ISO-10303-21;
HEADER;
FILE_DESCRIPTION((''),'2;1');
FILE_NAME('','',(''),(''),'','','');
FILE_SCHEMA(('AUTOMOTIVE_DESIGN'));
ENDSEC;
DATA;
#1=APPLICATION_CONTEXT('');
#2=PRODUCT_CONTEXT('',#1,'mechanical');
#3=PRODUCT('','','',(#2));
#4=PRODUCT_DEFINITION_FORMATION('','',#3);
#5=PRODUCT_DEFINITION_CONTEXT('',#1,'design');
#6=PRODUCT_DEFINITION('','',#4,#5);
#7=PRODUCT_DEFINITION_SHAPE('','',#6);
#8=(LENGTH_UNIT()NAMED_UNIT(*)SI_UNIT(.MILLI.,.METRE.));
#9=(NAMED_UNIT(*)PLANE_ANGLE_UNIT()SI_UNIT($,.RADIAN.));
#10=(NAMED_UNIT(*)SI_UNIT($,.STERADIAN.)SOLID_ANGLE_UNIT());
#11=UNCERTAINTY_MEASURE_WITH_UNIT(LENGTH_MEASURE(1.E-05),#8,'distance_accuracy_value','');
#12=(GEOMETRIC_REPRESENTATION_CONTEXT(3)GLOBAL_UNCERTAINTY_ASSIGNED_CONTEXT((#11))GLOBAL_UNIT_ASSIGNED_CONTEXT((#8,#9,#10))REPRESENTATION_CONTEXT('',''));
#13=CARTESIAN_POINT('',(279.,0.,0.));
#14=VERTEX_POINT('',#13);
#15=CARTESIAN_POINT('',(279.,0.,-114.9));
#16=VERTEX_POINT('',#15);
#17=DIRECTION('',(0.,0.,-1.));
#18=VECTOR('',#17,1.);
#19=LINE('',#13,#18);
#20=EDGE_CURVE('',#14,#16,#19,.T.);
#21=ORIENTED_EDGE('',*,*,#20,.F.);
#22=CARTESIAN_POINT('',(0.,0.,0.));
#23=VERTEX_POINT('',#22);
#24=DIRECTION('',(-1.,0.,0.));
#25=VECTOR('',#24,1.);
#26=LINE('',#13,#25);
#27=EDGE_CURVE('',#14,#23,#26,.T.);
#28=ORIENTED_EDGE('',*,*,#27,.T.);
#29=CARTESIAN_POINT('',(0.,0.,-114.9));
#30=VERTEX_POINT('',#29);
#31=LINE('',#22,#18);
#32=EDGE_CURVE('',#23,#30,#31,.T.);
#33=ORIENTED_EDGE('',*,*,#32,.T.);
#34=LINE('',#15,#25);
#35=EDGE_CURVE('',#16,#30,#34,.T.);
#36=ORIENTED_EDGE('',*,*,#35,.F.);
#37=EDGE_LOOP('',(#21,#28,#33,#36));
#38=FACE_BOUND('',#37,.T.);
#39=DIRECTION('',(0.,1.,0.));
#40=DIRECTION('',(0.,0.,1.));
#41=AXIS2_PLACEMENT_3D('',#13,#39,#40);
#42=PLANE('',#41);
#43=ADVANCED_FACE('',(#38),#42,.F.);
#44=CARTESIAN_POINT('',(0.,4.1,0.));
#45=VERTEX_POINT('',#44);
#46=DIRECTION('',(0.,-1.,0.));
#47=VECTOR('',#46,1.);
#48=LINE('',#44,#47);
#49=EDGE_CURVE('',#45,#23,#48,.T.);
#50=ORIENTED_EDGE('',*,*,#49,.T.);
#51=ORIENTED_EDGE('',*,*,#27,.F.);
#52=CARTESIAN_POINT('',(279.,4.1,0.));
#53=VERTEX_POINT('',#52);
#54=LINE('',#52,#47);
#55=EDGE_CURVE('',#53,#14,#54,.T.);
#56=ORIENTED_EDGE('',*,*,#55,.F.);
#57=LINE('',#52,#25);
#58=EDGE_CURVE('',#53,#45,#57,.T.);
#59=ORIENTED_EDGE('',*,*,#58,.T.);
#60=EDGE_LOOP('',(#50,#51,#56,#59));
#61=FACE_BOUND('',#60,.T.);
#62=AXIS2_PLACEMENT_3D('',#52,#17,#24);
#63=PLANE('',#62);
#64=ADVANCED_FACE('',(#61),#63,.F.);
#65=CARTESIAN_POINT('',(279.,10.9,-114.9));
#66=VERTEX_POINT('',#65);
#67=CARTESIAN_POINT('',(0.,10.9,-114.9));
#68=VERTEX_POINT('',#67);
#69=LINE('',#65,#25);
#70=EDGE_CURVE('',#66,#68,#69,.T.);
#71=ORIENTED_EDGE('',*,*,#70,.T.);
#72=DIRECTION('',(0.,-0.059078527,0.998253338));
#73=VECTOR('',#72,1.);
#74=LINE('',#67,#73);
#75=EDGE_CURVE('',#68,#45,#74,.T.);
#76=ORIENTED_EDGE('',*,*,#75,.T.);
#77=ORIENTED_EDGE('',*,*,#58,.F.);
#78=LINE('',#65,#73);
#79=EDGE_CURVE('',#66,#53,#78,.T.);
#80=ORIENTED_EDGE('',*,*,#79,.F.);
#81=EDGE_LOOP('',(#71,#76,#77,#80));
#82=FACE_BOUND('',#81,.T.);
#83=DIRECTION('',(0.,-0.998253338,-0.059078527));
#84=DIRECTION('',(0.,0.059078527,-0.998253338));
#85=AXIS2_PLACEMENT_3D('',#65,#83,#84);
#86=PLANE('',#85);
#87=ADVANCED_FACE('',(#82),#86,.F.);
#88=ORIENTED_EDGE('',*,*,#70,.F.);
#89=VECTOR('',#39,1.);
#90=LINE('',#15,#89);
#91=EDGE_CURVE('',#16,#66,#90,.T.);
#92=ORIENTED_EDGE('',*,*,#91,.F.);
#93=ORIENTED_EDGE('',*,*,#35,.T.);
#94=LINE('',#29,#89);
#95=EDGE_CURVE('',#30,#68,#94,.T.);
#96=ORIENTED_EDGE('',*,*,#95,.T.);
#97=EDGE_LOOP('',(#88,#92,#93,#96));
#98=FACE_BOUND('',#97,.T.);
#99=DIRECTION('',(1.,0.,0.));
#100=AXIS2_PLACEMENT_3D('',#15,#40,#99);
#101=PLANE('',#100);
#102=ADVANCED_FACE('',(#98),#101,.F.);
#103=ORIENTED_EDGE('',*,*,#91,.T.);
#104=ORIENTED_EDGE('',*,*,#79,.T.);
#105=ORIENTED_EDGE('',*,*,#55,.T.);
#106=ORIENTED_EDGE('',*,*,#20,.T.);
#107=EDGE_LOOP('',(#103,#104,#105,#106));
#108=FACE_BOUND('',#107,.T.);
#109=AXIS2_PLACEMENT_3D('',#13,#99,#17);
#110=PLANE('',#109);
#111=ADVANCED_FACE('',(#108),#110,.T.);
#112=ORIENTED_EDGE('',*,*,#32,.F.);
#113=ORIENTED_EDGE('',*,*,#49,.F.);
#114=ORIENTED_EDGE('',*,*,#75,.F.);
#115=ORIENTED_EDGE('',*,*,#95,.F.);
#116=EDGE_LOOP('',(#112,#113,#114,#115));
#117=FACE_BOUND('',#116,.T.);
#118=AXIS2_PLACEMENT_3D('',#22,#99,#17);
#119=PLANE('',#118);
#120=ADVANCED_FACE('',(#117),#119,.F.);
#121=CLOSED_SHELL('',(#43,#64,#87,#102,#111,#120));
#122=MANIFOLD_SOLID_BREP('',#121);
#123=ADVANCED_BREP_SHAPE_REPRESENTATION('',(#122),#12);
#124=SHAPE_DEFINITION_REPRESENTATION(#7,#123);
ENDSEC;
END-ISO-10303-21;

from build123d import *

# Parameters (mm, degrees)
AUFSATZ_LINEAR_AUSTRAGEN1_DEPTH = 279


with BuildPart() as part:
    # Skizze1 → Aufsatz-Linear austragen1 (new body)
    with BuildSketch(Plane(origin=(0, 0, 0), x_dir=(0, 0, -1), z_dir=(1, 0, 0))):
        Polygon((0, 0), (114.9, 0), (114.9, 10.9), (0, 4.1), align=None)
    extrude(amount=AUFSATZ_LINEAR_AUSTRAGEN1_DEPTH)


solid = part.part
